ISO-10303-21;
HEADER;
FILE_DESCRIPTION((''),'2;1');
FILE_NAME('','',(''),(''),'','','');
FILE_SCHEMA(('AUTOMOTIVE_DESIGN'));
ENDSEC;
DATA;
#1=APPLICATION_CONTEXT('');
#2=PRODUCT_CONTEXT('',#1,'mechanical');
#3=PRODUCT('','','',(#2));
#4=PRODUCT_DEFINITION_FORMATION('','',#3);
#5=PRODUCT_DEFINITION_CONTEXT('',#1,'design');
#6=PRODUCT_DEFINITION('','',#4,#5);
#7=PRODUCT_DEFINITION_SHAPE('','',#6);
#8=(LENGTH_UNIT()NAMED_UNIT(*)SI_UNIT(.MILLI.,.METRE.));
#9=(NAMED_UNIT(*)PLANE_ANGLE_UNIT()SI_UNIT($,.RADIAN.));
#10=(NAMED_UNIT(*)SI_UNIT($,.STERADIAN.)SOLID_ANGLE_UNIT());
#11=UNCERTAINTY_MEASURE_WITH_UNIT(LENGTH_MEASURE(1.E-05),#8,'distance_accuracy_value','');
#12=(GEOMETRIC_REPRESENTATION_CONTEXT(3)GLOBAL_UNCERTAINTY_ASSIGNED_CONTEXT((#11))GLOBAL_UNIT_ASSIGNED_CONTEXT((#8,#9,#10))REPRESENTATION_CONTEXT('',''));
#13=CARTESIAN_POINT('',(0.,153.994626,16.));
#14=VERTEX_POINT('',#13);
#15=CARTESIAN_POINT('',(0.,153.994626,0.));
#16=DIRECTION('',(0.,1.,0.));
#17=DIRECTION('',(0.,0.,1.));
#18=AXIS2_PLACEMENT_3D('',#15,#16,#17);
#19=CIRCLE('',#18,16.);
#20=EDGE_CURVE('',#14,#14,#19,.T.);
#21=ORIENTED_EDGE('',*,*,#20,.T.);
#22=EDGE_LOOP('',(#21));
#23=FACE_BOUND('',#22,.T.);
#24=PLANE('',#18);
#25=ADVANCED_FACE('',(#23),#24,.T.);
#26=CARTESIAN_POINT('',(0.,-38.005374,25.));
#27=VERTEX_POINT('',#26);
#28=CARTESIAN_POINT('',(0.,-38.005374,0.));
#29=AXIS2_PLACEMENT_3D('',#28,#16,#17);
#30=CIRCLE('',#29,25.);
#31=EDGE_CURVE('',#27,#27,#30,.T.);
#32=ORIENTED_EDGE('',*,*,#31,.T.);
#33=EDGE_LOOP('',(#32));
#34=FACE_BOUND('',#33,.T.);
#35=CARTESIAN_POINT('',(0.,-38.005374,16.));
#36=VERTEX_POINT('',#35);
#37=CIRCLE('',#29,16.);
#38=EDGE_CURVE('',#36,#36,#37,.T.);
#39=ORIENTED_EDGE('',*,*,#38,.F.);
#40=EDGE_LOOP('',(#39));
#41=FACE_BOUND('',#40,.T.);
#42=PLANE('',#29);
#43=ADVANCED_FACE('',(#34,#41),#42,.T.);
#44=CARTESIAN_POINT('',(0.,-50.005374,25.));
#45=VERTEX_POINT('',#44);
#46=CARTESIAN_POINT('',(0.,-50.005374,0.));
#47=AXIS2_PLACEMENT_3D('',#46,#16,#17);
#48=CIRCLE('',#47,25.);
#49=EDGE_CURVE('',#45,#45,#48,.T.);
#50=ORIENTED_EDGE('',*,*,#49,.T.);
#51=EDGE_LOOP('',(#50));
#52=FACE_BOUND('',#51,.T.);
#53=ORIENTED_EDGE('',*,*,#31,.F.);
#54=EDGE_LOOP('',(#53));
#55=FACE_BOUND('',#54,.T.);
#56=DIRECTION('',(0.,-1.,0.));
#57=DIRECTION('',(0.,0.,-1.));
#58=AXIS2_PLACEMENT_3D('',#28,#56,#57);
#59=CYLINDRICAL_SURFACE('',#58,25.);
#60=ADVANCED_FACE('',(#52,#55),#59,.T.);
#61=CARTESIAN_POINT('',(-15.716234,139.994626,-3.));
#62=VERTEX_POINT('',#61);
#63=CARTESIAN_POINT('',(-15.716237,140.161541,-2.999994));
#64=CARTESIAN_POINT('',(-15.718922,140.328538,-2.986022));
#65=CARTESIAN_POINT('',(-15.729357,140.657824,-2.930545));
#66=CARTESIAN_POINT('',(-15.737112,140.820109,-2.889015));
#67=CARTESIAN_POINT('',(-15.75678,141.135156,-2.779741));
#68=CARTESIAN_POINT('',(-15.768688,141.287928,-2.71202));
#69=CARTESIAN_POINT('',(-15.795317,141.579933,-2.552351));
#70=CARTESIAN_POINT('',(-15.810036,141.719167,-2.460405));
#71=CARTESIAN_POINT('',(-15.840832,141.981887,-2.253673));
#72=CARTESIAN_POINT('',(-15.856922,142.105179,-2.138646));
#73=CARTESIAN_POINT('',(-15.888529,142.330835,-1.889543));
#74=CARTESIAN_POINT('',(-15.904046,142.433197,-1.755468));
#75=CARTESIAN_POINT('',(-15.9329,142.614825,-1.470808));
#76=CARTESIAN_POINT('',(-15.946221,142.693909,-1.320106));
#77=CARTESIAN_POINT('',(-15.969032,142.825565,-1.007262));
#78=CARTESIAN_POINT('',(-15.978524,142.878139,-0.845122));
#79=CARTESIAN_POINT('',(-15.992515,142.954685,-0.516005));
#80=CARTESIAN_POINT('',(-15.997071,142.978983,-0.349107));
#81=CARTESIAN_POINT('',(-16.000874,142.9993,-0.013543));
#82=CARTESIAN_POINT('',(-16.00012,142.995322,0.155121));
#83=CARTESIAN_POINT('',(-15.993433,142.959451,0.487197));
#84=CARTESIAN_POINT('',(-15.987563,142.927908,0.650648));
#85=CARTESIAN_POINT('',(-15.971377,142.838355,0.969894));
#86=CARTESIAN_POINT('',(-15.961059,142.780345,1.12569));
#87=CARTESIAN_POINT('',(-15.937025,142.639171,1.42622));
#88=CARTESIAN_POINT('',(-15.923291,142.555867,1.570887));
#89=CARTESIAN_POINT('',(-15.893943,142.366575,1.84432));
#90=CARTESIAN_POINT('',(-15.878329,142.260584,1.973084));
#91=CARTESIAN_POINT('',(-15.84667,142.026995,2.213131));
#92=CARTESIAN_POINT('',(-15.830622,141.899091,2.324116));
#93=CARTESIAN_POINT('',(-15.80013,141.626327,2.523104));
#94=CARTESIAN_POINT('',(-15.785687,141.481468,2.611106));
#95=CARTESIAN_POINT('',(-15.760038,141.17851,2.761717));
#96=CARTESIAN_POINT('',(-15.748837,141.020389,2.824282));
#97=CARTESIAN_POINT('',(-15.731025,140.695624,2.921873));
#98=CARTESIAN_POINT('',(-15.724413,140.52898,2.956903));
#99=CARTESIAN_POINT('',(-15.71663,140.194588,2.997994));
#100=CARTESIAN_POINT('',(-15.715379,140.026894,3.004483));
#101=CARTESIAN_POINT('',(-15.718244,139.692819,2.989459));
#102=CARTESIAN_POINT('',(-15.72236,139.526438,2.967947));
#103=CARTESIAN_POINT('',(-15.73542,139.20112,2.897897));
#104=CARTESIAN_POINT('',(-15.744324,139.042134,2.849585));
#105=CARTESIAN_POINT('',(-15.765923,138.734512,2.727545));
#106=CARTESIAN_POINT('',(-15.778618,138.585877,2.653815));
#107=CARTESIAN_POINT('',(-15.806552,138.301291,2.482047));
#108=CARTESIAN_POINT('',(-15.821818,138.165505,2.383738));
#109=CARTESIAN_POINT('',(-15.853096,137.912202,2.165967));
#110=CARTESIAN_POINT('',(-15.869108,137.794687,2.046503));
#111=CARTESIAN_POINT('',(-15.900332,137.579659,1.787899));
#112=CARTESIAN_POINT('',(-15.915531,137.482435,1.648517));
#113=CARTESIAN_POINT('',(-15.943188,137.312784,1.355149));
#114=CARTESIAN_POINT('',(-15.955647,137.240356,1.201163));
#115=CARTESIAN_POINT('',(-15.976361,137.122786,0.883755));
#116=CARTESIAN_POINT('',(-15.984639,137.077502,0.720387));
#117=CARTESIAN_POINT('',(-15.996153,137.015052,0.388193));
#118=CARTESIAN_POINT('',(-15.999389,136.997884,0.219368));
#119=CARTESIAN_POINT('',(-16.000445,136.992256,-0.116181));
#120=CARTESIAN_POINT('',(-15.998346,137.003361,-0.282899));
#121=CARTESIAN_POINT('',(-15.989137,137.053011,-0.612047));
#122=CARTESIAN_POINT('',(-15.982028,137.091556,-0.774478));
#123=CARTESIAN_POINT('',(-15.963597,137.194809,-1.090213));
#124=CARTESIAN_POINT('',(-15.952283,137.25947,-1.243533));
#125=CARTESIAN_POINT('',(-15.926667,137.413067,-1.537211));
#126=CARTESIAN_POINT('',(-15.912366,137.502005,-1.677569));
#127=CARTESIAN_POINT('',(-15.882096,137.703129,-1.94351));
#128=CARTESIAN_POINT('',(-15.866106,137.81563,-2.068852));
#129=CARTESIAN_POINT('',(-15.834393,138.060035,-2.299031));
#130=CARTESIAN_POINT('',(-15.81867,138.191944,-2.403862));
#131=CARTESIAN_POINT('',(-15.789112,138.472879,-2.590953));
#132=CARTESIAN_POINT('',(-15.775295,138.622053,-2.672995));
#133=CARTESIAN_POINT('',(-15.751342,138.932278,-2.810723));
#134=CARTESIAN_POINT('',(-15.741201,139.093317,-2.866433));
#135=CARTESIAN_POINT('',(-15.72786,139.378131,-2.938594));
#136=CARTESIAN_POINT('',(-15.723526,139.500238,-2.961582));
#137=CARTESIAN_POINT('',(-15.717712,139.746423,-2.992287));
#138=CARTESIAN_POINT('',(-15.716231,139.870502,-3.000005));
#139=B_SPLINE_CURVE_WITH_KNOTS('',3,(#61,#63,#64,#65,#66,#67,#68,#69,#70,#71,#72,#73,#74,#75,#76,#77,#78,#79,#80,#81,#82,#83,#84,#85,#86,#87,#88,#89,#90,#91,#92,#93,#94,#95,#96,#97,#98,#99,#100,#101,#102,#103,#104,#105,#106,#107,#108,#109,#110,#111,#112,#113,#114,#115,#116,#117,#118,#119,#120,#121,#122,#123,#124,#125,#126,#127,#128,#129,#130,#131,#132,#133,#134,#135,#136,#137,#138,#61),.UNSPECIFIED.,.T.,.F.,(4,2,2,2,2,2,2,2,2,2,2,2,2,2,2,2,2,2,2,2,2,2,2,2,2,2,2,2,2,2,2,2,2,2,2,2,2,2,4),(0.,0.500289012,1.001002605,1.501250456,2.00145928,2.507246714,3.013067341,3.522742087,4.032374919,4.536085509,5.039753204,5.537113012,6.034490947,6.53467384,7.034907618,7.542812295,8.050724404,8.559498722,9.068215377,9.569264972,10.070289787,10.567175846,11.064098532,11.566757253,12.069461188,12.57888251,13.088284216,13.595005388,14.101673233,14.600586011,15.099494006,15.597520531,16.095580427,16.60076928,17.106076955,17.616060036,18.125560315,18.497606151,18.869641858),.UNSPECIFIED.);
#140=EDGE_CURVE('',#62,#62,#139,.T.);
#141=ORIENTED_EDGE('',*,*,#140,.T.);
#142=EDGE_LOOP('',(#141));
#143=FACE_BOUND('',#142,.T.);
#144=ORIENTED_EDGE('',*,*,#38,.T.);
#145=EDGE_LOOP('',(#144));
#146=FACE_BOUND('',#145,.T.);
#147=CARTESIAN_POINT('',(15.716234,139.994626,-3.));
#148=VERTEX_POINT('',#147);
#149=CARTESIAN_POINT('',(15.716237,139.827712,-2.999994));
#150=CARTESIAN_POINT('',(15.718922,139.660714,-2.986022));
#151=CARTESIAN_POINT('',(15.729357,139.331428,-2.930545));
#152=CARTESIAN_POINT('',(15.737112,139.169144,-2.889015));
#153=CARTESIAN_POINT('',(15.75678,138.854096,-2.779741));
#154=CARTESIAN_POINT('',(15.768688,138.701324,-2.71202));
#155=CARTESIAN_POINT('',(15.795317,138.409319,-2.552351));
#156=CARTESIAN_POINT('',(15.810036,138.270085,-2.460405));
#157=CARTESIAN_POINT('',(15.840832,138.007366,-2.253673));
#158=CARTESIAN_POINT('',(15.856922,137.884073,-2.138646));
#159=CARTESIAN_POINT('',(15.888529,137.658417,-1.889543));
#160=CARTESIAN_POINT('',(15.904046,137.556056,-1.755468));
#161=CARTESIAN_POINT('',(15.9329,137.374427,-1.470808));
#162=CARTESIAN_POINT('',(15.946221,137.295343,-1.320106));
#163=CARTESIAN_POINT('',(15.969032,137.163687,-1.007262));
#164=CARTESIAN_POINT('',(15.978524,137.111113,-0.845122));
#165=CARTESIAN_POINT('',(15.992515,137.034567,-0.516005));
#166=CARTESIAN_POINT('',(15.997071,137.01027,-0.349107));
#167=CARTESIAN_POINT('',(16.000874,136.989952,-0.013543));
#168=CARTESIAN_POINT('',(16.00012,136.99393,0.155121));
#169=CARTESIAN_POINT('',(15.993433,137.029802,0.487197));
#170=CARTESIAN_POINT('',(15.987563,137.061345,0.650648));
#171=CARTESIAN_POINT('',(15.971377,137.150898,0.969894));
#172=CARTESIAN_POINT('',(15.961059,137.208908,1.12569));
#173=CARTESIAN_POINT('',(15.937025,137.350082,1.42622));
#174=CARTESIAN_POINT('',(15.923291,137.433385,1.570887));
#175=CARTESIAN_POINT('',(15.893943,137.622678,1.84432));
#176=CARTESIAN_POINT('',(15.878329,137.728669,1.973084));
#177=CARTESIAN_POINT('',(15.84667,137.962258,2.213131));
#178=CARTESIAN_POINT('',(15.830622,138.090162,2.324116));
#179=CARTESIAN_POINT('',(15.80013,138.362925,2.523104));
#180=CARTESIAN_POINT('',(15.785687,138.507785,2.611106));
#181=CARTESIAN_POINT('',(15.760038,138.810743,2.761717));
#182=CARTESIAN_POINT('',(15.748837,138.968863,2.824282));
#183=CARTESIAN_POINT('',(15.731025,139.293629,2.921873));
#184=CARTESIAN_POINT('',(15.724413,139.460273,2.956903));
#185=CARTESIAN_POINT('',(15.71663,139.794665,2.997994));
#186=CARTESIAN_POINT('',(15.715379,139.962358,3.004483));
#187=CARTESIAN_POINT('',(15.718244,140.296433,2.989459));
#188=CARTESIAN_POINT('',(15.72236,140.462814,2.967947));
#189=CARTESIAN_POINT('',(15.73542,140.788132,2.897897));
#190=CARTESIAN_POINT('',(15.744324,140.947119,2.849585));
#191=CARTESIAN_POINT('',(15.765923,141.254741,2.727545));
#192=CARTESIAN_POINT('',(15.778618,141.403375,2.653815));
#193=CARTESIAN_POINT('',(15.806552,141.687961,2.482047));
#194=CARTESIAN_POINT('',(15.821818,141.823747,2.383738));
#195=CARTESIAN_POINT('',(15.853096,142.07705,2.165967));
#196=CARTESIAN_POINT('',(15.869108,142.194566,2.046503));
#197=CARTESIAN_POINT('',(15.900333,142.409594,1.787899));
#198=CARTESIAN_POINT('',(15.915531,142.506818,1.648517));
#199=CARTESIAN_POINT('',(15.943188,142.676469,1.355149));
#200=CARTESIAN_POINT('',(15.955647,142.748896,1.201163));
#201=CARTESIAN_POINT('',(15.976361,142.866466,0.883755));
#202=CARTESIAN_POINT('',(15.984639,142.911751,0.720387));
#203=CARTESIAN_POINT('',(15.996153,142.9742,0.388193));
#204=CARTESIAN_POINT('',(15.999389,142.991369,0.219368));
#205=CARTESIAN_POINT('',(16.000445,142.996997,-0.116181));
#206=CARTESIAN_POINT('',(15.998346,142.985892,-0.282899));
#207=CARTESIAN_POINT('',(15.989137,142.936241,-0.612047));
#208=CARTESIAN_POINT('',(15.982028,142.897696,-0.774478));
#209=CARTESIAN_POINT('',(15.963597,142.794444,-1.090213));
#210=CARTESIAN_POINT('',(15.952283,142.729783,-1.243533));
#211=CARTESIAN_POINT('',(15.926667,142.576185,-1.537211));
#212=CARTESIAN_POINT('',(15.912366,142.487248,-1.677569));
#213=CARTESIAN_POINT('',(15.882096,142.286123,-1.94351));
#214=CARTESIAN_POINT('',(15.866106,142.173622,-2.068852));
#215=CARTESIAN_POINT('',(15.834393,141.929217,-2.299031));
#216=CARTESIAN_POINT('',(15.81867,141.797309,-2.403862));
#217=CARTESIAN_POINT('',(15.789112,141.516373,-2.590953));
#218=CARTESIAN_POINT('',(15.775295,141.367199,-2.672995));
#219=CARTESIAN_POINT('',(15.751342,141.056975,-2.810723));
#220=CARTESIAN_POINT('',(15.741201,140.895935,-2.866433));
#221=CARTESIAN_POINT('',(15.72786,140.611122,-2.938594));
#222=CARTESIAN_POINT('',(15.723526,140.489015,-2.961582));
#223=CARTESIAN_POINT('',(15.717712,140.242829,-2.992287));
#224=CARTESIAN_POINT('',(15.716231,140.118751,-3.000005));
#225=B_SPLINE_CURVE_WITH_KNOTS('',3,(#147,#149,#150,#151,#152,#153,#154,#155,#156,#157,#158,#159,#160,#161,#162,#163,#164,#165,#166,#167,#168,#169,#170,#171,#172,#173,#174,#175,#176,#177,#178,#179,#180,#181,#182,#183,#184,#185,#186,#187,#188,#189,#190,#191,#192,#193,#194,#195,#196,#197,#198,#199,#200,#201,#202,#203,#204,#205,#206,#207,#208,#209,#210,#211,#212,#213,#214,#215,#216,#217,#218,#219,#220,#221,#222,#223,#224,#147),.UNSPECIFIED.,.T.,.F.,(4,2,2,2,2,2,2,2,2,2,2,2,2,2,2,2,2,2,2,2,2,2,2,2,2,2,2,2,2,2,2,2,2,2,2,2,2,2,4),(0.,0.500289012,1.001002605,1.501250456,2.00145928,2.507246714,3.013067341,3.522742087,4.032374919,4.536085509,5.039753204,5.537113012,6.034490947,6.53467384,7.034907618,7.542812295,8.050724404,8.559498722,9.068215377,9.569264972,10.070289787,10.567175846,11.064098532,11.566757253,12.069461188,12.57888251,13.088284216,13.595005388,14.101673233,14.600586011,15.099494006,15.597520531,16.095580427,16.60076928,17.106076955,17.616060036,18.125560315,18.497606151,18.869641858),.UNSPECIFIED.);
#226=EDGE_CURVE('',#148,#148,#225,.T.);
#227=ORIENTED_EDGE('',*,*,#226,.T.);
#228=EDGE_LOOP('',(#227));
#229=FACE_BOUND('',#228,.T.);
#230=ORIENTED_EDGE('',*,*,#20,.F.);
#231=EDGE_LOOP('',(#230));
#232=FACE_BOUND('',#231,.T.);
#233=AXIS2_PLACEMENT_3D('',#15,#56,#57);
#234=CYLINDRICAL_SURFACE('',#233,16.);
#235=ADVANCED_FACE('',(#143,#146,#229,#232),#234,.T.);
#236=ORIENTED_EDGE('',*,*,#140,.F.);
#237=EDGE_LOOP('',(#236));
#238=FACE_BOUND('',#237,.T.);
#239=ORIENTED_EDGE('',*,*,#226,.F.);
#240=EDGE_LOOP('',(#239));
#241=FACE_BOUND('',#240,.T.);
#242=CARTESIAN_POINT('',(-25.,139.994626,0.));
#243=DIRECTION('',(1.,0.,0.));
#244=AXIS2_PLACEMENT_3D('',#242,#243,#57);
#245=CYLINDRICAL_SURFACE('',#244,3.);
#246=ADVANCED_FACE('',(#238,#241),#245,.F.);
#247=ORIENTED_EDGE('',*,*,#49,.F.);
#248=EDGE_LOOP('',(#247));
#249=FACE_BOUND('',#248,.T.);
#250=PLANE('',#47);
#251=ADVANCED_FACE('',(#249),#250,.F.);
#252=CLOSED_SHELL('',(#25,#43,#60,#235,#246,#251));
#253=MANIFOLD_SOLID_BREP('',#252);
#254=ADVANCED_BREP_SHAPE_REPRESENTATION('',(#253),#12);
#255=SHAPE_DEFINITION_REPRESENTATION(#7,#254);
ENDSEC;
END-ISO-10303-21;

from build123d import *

# Parameters (mm, degrees)
SKETCH1_R               = 12.5
BOSS_EXTRUDE1_DEPTH     = 3
SKETCH2_R               = 8
BOSS_EXTRUDE2_DEPTH     = 96
SKETCH5_R               = 1.5
CUT_EXTRUDE1_DEPTH      = 13.5
CUT_EXTRUDE1_DEPTH_BACK = 13.5
SCALE1_SCALE            = 2


with BuildPart() as part:
    # Sketch1 → Boss-Extrude1 (new body, symmetric)
    with BuildSketch(Plane(origin=(0, 0, 0), x_dir=(1, 0, 0), z_dir=(0, 1, 0))):
        Circle(SKETCH1_R)
    extrude(amount=BOSS_EXTRUDE1_DEPTH, both=True)

    # Sketch2 → Boss-Extrude2 (add)
    with BuildSketch(Plane(origin=(0, 3, 0), x_dir=(1, 0, 0), z_dir=(0, 1, 0))):
        Circle(SKETCH2_R)
    extrude(amount=BOSS_EXTRUDE2_DEPTH)

    # Sketch5 → Cut-Extrude1 (cut, two sides)
    with BuildSketch(Plane(origin=(0, 0, 0), x_dir=(0, 0, -1), z_dir=(1, 0, 0))) as cut_extrude1_sk:
        with Locations((0, 92)):
            Circle(SKETCH5_R)
    extrude(amount=CUT_EXTRUDE1_DEPTH, mode=Mode.SUBTRACT)
    extrude(cut_extrude1_sk.sketch, amount=-CUT_EXTRUDE1_DEPTH_BACK, mode=Mode.SUBTRACT)


with BuildPart() as part_1:
    # Scale1: scaled about (-2.171e-06, 44.005415619, -5.482e-06)
    add(part.part.scale(SCALE1_SCALE).moved(Location((2.171e-06, -44.005415619, 5.482e-06))))


solid = part_1.part
